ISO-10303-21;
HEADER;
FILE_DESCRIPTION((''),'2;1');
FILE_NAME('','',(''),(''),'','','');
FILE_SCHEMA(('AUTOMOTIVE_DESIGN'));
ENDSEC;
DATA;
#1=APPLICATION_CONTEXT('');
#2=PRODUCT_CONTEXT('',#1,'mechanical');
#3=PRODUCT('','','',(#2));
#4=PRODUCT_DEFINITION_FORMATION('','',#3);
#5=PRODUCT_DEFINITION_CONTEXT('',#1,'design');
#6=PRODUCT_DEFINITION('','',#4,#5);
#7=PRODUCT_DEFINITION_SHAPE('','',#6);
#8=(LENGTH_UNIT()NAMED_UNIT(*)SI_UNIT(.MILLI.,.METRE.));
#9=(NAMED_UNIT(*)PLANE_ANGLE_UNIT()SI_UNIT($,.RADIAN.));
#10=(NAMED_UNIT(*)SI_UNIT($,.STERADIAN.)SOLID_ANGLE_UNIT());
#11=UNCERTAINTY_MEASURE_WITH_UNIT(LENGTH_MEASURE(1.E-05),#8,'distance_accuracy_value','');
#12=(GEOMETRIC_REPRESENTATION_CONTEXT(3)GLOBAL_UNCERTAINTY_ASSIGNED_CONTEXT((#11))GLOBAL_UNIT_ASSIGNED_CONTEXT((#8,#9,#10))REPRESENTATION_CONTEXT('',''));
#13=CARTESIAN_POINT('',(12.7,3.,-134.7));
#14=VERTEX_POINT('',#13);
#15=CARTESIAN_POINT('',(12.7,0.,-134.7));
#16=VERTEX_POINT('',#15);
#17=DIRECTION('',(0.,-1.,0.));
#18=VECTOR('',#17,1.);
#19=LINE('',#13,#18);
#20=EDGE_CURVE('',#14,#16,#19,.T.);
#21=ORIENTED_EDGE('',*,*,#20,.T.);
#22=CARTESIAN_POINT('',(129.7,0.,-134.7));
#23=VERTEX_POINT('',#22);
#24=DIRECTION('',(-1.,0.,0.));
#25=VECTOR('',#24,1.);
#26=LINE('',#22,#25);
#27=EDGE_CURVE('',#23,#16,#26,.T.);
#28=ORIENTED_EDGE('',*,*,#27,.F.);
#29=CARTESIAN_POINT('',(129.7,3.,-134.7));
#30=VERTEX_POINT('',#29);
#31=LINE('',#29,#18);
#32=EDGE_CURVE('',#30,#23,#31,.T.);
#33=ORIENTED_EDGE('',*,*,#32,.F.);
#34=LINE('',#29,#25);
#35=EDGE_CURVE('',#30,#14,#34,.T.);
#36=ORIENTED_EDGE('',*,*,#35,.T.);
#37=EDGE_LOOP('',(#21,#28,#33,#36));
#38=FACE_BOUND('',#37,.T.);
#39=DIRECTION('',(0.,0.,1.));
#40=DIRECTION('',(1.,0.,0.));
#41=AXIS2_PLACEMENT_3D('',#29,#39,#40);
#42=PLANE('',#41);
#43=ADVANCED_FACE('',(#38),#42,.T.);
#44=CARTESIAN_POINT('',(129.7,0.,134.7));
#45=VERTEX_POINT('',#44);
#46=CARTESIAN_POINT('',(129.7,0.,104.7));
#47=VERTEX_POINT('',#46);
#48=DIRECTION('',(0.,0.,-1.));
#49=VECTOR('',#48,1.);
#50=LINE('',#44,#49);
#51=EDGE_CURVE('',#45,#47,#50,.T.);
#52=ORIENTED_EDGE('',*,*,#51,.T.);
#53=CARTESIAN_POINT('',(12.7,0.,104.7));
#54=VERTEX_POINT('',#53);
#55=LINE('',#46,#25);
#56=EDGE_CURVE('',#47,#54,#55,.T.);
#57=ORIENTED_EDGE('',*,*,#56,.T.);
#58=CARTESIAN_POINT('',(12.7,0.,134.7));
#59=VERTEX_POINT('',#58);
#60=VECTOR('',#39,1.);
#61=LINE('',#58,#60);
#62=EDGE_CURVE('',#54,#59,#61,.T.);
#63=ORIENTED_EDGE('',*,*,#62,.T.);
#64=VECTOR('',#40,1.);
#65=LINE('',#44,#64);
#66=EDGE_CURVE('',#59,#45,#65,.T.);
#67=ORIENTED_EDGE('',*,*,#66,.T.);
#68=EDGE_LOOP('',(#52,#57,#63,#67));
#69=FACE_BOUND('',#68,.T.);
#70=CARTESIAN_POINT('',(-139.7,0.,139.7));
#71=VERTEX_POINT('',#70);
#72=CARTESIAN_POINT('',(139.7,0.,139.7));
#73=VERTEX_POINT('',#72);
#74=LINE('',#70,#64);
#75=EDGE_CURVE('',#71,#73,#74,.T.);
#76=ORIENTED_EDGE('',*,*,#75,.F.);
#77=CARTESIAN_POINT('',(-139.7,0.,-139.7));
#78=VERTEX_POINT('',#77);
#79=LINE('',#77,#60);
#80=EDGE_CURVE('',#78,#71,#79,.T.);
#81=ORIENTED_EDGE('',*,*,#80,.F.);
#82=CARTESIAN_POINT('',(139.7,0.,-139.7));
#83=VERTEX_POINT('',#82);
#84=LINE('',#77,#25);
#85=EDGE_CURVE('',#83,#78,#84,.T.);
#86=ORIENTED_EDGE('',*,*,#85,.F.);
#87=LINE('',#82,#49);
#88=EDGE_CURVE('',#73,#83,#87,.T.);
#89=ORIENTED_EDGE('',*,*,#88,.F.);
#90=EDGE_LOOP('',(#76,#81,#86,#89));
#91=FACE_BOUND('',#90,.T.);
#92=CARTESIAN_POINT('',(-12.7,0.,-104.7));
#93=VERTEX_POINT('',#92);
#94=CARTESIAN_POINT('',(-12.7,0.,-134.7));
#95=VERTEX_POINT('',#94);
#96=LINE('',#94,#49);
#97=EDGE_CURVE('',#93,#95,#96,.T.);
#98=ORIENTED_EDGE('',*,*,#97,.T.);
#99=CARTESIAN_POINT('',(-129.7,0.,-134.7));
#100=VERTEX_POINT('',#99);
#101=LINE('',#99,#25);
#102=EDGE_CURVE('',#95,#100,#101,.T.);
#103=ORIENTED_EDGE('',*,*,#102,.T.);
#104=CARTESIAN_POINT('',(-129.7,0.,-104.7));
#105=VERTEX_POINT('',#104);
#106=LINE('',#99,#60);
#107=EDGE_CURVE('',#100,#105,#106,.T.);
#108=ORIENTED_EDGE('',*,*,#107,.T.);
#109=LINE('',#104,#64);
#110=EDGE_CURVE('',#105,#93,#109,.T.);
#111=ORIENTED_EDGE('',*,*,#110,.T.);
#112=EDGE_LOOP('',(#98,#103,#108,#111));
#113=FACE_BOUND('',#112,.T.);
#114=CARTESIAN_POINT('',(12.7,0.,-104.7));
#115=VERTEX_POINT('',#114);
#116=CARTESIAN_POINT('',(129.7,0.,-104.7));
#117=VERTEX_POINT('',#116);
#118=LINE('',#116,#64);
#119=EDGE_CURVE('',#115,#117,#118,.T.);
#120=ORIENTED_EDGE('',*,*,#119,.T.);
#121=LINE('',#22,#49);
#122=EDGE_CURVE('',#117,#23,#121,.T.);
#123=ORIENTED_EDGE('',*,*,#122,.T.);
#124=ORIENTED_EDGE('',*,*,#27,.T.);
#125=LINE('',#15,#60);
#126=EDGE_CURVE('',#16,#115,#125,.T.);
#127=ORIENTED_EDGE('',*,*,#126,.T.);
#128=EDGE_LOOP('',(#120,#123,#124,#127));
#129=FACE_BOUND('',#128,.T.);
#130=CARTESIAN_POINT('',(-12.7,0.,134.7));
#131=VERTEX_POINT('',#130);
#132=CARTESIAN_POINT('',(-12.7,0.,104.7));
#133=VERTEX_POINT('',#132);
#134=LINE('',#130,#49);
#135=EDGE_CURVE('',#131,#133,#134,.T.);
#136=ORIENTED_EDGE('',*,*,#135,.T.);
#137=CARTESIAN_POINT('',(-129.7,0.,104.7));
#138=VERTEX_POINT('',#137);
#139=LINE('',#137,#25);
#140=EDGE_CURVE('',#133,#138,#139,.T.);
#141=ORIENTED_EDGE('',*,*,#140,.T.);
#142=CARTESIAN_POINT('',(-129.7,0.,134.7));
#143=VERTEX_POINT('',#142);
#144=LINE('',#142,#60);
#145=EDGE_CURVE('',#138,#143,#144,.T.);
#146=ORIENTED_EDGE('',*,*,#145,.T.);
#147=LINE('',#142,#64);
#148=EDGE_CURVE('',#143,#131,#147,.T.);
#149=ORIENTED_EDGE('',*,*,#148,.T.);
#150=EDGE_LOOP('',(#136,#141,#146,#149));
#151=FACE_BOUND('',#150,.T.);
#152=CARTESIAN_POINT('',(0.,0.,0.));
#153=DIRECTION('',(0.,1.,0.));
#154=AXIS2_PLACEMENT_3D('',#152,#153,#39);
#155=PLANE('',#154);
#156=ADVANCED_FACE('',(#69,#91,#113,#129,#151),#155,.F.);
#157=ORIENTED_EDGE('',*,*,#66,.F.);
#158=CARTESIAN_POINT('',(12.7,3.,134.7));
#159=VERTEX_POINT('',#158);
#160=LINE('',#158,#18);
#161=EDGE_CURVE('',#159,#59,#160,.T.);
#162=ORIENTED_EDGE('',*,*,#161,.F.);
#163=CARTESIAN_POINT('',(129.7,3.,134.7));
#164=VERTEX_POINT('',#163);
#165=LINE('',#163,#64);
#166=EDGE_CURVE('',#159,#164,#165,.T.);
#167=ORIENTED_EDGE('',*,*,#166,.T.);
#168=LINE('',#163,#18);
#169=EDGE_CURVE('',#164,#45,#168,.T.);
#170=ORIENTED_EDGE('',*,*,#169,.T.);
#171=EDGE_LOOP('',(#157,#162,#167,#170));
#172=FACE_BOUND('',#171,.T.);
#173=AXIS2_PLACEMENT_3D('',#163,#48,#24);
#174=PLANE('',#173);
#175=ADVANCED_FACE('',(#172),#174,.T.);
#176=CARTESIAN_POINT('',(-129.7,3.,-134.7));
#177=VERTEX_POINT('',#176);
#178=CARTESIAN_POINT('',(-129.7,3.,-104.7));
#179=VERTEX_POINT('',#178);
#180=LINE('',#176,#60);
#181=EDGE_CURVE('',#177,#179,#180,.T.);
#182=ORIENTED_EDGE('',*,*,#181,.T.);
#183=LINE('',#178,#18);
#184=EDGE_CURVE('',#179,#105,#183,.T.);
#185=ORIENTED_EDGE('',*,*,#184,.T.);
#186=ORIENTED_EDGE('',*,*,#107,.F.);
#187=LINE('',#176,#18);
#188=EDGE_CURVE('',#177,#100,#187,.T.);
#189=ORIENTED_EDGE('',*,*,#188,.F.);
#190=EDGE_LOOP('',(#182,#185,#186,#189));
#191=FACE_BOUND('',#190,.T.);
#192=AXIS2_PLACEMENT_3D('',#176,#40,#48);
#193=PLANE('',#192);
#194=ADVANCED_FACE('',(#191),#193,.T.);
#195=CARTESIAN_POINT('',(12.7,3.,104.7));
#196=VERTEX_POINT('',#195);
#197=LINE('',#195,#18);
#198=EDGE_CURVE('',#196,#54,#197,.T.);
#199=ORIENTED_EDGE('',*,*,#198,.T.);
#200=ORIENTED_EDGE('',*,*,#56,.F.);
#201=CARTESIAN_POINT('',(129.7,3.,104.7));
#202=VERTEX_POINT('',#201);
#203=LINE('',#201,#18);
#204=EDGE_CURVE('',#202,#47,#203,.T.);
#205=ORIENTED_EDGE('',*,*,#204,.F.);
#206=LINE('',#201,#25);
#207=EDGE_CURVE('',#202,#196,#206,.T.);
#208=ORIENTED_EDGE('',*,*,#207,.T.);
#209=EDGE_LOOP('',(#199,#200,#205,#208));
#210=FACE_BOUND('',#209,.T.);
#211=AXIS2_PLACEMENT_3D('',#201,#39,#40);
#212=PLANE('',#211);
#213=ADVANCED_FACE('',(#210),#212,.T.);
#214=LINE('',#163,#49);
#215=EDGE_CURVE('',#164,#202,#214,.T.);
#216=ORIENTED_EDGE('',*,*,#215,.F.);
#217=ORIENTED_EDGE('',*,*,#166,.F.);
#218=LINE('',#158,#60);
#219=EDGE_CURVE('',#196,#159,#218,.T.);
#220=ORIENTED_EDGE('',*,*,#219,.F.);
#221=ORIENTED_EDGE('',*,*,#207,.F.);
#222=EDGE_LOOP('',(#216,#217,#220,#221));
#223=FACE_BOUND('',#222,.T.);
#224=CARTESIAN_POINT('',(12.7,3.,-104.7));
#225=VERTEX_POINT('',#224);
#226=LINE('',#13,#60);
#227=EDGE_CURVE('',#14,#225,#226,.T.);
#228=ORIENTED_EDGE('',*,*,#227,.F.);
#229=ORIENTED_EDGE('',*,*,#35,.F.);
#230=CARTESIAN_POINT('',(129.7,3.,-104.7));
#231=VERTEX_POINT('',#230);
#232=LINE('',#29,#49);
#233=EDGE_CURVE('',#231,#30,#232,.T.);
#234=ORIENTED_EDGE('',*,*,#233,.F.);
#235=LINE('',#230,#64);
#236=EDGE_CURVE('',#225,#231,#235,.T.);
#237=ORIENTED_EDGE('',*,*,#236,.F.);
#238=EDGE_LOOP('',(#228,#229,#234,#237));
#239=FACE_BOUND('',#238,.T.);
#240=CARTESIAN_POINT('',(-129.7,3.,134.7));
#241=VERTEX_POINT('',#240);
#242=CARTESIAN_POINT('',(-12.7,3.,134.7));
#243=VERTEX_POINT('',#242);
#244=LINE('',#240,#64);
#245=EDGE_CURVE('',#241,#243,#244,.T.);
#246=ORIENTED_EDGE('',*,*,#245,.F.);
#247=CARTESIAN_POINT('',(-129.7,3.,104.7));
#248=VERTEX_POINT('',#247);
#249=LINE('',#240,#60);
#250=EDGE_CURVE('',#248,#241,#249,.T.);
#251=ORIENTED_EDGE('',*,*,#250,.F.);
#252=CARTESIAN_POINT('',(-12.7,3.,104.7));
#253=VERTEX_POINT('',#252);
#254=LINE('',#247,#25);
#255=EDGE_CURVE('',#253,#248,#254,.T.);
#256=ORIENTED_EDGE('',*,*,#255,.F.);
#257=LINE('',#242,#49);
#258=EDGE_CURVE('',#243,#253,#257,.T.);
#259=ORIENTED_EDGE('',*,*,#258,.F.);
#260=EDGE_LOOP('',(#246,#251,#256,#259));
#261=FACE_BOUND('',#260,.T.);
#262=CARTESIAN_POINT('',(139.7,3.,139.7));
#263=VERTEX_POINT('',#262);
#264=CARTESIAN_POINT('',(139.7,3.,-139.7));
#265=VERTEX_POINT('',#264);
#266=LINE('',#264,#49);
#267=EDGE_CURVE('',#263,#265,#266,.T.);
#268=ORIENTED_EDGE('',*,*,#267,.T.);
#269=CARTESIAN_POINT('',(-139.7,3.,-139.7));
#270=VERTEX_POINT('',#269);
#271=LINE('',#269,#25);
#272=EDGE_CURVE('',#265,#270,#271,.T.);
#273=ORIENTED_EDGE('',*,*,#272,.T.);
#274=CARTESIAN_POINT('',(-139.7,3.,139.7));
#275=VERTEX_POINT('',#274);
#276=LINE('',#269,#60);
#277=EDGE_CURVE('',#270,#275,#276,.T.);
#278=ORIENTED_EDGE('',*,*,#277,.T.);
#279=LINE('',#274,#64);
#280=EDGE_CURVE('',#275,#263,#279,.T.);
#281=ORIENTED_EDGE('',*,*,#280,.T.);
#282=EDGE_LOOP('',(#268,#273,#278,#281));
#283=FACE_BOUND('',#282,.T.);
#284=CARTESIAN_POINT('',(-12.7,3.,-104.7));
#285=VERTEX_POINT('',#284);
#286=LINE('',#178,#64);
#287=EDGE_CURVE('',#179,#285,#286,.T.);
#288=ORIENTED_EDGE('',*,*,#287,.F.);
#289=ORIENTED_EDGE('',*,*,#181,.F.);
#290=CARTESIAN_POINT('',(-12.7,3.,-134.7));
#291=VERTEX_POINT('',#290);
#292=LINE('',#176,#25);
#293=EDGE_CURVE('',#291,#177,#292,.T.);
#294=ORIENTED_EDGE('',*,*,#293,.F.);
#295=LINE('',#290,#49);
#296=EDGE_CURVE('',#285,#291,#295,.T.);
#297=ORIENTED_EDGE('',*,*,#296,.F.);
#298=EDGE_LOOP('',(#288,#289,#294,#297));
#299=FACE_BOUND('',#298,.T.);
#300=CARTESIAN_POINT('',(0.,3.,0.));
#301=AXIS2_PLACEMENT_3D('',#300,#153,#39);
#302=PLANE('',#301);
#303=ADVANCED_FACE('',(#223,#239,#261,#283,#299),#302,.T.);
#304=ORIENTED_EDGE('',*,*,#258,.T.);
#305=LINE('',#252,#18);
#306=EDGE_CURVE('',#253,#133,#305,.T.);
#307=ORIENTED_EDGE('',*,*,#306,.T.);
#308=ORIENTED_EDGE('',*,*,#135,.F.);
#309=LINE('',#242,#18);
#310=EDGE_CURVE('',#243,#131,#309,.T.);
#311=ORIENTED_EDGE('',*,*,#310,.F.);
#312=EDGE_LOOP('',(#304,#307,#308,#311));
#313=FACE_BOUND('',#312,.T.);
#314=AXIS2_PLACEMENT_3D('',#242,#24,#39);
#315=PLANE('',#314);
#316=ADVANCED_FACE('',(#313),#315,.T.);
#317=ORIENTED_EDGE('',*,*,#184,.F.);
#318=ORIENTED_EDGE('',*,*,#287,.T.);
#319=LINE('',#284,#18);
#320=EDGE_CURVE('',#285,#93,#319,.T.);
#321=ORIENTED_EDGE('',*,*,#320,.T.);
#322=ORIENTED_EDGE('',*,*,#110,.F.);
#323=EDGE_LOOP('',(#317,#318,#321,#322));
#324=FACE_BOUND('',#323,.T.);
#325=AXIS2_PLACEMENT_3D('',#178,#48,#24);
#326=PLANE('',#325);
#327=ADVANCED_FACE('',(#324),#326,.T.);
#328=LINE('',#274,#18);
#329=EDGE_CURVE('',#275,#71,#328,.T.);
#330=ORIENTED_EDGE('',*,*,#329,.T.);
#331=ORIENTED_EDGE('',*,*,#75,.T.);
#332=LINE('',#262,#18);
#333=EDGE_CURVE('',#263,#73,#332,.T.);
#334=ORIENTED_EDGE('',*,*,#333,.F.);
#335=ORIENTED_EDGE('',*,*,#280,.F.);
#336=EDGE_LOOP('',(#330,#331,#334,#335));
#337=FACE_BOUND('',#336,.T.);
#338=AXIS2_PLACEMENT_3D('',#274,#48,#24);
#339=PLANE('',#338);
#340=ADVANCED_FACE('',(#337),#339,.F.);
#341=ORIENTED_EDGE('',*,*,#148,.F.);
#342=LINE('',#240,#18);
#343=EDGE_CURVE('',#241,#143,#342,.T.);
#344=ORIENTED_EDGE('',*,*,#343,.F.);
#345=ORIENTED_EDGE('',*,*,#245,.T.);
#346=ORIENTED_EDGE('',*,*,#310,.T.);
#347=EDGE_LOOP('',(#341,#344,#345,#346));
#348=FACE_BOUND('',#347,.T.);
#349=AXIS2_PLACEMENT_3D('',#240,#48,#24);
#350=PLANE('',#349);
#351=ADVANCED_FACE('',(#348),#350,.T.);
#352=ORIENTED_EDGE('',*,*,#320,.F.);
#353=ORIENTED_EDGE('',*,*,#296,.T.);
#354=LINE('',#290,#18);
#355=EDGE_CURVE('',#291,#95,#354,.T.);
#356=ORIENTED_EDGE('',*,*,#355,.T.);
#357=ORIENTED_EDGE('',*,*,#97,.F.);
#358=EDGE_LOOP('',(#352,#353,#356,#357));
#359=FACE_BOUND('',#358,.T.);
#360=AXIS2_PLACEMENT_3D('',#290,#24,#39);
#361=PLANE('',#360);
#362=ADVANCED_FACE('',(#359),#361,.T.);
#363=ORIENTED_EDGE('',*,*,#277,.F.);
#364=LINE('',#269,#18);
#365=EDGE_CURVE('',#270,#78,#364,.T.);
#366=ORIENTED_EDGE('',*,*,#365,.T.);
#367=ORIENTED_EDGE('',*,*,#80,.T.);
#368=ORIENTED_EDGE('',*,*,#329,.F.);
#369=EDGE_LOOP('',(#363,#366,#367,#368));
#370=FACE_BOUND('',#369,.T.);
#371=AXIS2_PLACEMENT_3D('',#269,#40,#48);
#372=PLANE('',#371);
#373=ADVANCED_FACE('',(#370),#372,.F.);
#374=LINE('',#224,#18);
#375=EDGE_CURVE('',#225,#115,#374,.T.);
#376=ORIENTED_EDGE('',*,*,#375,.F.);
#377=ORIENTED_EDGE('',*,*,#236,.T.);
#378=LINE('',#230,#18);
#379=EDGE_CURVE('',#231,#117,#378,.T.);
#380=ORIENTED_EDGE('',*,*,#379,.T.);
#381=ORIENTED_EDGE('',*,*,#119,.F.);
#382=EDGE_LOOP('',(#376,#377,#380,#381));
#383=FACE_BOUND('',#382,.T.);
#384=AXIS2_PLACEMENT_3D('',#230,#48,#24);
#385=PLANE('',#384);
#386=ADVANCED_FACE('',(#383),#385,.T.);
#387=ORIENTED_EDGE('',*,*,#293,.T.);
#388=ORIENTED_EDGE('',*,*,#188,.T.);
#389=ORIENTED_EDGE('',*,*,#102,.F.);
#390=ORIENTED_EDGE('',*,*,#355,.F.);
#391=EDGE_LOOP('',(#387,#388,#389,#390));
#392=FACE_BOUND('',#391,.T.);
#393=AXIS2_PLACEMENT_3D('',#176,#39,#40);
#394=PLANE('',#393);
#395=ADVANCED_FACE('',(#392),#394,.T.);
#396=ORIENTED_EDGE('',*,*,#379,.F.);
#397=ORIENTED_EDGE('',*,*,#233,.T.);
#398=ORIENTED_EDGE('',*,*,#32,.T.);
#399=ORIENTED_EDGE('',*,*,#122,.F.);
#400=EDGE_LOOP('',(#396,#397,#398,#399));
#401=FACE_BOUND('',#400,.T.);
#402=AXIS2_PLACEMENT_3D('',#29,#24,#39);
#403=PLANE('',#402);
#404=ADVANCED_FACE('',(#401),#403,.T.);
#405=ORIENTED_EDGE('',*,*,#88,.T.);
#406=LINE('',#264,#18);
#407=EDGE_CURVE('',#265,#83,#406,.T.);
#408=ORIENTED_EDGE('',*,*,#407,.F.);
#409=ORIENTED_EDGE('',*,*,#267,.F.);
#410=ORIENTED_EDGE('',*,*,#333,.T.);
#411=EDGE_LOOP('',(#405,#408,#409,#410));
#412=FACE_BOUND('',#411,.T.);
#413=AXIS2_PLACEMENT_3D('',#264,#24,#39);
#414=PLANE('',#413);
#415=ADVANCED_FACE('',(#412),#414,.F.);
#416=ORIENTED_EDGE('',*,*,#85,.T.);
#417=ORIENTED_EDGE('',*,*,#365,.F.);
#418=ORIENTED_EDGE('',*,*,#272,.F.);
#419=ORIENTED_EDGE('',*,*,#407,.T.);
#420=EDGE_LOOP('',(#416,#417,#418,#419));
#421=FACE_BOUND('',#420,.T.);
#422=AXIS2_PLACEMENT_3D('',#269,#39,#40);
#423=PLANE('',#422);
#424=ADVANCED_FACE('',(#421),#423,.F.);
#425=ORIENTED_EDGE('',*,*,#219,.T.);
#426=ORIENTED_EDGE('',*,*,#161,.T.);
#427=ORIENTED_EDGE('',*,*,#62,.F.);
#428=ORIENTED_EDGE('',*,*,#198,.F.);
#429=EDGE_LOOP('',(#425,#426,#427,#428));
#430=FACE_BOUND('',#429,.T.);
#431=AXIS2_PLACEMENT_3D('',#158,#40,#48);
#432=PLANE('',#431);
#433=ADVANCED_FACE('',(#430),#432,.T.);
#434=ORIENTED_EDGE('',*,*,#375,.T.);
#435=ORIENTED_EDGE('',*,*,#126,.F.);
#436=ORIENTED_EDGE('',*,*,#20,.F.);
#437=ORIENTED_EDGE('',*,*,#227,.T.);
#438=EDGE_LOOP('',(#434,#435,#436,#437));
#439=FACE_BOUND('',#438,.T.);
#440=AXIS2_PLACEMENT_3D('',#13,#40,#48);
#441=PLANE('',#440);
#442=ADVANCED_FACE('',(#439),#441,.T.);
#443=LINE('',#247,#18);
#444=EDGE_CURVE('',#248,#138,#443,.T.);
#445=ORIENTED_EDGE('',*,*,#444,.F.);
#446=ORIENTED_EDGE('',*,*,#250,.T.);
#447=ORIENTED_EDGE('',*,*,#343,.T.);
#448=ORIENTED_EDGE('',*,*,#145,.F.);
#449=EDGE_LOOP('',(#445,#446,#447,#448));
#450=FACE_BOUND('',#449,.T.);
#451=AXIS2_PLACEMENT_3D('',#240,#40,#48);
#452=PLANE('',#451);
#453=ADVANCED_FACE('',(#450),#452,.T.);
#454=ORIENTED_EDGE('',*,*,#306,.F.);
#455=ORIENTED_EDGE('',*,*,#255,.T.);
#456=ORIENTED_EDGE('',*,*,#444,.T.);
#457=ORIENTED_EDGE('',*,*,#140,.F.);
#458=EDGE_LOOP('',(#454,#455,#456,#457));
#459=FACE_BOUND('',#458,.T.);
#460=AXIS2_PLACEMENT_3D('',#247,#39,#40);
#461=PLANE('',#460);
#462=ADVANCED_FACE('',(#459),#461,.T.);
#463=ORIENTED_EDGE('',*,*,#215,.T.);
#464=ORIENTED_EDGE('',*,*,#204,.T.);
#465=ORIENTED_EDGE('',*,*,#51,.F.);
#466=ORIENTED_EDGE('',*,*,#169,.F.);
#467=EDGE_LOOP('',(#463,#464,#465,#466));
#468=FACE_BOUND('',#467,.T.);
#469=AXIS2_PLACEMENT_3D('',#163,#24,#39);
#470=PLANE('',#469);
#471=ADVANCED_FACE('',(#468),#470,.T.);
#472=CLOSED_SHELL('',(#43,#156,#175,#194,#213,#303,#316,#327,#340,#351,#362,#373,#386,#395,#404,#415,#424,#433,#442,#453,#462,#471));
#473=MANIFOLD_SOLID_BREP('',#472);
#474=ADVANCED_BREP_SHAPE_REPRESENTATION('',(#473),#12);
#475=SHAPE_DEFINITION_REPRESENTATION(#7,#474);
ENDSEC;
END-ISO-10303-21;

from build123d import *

# Parameters (mm, degrees)
SKETCH1_W           = 279.4
SKETCH1_H           = 279.4
SKETCH1_W_2         = 117
SKETCH1_H_2         = 30
BOSS_EXTRUDE1_DEPTH = 3


with BuildPart() as part:
    # Sketch1 → Boss-Extrude1 (new body)
    with BuildSketch(Plane(origin=(0, 0, 0), x_dir=(1, 0, 0), z_dir=(0, 1, 0))):
        Rectangle(SKETCH1_W, SKETCH1_H)
        with Locations((-71.2, 119.7)):
            Rectangle(SKETCH1_W_2, SKETCH1_H_2, mode=Mode.SUBTRACT)
        with Locations((71.2, 119.7)):
            Rectangle(SKETCH1_W_2, SKETCH1_H_2, mode=Mode.SUBTRACT)
        with Locations((71.2, -119.7)):
            Rectangle(SKETCH1_W_2, SKETCH1_H_2, mode=Mode.SUBTRACT)
        with Locations((-71.2, -119.7)):
            Rectangle(SKETCH1_W_2, SKETCH1_H_2, mode=Mode.SUBTRACT)
    extrude(amount=BOSS_EXTRUDE1_DEPTH)


solid = part.part
